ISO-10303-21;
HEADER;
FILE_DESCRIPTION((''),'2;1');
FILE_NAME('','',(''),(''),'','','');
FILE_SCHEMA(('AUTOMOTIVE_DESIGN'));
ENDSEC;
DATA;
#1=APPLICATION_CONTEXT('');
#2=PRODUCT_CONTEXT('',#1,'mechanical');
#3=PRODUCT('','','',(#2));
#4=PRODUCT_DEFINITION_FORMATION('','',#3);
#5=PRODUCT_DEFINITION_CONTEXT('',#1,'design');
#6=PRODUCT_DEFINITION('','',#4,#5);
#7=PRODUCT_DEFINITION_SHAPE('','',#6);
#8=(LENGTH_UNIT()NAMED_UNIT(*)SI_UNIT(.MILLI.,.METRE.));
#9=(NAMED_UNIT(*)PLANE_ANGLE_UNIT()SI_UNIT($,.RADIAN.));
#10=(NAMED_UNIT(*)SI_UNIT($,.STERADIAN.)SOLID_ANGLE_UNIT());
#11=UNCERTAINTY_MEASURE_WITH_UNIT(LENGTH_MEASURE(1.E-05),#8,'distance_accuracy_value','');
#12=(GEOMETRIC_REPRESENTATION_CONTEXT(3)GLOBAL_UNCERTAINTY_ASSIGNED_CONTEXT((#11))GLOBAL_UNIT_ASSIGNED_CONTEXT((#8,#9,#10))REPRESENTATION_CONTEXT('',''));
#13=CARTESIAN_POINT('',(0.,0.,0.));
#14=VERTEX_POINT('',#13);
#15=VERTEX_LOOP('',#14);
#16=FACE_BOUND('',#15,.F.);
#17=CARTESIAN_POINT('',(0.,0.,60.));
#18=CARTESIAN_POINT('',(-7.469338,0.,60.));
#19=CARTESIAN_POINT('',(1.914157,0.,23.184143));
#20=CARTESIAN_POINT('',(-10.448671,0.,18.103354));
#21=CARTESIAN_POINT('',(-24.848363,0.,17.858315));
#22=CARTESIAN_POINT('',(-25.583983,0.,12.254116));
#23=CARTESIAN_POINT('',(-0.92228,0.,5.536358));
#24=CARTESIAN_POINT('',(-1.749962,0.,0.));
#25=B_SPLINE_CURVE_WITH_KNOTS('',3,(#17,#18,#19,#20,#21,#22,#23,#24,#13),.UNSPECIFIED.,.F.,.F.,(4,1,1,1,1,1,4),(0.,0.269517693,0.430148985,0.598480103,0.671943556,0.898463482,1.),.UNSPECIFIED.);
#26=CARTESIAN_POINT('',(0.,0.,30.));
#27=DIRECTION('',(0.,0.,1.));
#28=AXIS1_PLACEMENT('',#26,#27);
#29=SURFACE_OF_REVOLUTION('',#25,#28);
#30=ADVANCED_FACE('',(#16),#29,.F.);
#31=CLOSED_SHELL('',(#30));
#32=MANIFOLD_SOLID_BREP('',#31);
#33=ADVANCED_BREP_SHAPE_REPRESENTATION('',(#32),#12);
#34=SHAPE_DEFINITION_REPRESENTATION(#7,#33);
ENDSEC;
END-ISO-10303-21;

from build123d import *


with BuildPart() as f1:
    # F0 (on Front) → F1 (revolve)
    with BuildSketch(Plane.XZ):
        with BuildLine():
            add(Edge.make_bspline(
                [(0, 60), (-7.469338131, 60), (1.9141571915, 23.1841433753), (-10.4486706927, 18.1033543673), (-24.8483630528, 17.858315155), (-25.5839829475, 12.2541161079), (-0.9222800126, 5.5363577309), (-1.7499621998, 0), (0, 0)],
                knots=[0, 0, 0, 0, 0.2695176928, 0.4301489852, 0.5984801028, 0.6719435559, 0.8984634817, 1, 1, 1, 1], degree=3))
            Line((0, 0), (0, 60))
        make_face()
    revolve(axis=Axis((0, 0, 30), (0, 0, 1)))


solid = f1.part
